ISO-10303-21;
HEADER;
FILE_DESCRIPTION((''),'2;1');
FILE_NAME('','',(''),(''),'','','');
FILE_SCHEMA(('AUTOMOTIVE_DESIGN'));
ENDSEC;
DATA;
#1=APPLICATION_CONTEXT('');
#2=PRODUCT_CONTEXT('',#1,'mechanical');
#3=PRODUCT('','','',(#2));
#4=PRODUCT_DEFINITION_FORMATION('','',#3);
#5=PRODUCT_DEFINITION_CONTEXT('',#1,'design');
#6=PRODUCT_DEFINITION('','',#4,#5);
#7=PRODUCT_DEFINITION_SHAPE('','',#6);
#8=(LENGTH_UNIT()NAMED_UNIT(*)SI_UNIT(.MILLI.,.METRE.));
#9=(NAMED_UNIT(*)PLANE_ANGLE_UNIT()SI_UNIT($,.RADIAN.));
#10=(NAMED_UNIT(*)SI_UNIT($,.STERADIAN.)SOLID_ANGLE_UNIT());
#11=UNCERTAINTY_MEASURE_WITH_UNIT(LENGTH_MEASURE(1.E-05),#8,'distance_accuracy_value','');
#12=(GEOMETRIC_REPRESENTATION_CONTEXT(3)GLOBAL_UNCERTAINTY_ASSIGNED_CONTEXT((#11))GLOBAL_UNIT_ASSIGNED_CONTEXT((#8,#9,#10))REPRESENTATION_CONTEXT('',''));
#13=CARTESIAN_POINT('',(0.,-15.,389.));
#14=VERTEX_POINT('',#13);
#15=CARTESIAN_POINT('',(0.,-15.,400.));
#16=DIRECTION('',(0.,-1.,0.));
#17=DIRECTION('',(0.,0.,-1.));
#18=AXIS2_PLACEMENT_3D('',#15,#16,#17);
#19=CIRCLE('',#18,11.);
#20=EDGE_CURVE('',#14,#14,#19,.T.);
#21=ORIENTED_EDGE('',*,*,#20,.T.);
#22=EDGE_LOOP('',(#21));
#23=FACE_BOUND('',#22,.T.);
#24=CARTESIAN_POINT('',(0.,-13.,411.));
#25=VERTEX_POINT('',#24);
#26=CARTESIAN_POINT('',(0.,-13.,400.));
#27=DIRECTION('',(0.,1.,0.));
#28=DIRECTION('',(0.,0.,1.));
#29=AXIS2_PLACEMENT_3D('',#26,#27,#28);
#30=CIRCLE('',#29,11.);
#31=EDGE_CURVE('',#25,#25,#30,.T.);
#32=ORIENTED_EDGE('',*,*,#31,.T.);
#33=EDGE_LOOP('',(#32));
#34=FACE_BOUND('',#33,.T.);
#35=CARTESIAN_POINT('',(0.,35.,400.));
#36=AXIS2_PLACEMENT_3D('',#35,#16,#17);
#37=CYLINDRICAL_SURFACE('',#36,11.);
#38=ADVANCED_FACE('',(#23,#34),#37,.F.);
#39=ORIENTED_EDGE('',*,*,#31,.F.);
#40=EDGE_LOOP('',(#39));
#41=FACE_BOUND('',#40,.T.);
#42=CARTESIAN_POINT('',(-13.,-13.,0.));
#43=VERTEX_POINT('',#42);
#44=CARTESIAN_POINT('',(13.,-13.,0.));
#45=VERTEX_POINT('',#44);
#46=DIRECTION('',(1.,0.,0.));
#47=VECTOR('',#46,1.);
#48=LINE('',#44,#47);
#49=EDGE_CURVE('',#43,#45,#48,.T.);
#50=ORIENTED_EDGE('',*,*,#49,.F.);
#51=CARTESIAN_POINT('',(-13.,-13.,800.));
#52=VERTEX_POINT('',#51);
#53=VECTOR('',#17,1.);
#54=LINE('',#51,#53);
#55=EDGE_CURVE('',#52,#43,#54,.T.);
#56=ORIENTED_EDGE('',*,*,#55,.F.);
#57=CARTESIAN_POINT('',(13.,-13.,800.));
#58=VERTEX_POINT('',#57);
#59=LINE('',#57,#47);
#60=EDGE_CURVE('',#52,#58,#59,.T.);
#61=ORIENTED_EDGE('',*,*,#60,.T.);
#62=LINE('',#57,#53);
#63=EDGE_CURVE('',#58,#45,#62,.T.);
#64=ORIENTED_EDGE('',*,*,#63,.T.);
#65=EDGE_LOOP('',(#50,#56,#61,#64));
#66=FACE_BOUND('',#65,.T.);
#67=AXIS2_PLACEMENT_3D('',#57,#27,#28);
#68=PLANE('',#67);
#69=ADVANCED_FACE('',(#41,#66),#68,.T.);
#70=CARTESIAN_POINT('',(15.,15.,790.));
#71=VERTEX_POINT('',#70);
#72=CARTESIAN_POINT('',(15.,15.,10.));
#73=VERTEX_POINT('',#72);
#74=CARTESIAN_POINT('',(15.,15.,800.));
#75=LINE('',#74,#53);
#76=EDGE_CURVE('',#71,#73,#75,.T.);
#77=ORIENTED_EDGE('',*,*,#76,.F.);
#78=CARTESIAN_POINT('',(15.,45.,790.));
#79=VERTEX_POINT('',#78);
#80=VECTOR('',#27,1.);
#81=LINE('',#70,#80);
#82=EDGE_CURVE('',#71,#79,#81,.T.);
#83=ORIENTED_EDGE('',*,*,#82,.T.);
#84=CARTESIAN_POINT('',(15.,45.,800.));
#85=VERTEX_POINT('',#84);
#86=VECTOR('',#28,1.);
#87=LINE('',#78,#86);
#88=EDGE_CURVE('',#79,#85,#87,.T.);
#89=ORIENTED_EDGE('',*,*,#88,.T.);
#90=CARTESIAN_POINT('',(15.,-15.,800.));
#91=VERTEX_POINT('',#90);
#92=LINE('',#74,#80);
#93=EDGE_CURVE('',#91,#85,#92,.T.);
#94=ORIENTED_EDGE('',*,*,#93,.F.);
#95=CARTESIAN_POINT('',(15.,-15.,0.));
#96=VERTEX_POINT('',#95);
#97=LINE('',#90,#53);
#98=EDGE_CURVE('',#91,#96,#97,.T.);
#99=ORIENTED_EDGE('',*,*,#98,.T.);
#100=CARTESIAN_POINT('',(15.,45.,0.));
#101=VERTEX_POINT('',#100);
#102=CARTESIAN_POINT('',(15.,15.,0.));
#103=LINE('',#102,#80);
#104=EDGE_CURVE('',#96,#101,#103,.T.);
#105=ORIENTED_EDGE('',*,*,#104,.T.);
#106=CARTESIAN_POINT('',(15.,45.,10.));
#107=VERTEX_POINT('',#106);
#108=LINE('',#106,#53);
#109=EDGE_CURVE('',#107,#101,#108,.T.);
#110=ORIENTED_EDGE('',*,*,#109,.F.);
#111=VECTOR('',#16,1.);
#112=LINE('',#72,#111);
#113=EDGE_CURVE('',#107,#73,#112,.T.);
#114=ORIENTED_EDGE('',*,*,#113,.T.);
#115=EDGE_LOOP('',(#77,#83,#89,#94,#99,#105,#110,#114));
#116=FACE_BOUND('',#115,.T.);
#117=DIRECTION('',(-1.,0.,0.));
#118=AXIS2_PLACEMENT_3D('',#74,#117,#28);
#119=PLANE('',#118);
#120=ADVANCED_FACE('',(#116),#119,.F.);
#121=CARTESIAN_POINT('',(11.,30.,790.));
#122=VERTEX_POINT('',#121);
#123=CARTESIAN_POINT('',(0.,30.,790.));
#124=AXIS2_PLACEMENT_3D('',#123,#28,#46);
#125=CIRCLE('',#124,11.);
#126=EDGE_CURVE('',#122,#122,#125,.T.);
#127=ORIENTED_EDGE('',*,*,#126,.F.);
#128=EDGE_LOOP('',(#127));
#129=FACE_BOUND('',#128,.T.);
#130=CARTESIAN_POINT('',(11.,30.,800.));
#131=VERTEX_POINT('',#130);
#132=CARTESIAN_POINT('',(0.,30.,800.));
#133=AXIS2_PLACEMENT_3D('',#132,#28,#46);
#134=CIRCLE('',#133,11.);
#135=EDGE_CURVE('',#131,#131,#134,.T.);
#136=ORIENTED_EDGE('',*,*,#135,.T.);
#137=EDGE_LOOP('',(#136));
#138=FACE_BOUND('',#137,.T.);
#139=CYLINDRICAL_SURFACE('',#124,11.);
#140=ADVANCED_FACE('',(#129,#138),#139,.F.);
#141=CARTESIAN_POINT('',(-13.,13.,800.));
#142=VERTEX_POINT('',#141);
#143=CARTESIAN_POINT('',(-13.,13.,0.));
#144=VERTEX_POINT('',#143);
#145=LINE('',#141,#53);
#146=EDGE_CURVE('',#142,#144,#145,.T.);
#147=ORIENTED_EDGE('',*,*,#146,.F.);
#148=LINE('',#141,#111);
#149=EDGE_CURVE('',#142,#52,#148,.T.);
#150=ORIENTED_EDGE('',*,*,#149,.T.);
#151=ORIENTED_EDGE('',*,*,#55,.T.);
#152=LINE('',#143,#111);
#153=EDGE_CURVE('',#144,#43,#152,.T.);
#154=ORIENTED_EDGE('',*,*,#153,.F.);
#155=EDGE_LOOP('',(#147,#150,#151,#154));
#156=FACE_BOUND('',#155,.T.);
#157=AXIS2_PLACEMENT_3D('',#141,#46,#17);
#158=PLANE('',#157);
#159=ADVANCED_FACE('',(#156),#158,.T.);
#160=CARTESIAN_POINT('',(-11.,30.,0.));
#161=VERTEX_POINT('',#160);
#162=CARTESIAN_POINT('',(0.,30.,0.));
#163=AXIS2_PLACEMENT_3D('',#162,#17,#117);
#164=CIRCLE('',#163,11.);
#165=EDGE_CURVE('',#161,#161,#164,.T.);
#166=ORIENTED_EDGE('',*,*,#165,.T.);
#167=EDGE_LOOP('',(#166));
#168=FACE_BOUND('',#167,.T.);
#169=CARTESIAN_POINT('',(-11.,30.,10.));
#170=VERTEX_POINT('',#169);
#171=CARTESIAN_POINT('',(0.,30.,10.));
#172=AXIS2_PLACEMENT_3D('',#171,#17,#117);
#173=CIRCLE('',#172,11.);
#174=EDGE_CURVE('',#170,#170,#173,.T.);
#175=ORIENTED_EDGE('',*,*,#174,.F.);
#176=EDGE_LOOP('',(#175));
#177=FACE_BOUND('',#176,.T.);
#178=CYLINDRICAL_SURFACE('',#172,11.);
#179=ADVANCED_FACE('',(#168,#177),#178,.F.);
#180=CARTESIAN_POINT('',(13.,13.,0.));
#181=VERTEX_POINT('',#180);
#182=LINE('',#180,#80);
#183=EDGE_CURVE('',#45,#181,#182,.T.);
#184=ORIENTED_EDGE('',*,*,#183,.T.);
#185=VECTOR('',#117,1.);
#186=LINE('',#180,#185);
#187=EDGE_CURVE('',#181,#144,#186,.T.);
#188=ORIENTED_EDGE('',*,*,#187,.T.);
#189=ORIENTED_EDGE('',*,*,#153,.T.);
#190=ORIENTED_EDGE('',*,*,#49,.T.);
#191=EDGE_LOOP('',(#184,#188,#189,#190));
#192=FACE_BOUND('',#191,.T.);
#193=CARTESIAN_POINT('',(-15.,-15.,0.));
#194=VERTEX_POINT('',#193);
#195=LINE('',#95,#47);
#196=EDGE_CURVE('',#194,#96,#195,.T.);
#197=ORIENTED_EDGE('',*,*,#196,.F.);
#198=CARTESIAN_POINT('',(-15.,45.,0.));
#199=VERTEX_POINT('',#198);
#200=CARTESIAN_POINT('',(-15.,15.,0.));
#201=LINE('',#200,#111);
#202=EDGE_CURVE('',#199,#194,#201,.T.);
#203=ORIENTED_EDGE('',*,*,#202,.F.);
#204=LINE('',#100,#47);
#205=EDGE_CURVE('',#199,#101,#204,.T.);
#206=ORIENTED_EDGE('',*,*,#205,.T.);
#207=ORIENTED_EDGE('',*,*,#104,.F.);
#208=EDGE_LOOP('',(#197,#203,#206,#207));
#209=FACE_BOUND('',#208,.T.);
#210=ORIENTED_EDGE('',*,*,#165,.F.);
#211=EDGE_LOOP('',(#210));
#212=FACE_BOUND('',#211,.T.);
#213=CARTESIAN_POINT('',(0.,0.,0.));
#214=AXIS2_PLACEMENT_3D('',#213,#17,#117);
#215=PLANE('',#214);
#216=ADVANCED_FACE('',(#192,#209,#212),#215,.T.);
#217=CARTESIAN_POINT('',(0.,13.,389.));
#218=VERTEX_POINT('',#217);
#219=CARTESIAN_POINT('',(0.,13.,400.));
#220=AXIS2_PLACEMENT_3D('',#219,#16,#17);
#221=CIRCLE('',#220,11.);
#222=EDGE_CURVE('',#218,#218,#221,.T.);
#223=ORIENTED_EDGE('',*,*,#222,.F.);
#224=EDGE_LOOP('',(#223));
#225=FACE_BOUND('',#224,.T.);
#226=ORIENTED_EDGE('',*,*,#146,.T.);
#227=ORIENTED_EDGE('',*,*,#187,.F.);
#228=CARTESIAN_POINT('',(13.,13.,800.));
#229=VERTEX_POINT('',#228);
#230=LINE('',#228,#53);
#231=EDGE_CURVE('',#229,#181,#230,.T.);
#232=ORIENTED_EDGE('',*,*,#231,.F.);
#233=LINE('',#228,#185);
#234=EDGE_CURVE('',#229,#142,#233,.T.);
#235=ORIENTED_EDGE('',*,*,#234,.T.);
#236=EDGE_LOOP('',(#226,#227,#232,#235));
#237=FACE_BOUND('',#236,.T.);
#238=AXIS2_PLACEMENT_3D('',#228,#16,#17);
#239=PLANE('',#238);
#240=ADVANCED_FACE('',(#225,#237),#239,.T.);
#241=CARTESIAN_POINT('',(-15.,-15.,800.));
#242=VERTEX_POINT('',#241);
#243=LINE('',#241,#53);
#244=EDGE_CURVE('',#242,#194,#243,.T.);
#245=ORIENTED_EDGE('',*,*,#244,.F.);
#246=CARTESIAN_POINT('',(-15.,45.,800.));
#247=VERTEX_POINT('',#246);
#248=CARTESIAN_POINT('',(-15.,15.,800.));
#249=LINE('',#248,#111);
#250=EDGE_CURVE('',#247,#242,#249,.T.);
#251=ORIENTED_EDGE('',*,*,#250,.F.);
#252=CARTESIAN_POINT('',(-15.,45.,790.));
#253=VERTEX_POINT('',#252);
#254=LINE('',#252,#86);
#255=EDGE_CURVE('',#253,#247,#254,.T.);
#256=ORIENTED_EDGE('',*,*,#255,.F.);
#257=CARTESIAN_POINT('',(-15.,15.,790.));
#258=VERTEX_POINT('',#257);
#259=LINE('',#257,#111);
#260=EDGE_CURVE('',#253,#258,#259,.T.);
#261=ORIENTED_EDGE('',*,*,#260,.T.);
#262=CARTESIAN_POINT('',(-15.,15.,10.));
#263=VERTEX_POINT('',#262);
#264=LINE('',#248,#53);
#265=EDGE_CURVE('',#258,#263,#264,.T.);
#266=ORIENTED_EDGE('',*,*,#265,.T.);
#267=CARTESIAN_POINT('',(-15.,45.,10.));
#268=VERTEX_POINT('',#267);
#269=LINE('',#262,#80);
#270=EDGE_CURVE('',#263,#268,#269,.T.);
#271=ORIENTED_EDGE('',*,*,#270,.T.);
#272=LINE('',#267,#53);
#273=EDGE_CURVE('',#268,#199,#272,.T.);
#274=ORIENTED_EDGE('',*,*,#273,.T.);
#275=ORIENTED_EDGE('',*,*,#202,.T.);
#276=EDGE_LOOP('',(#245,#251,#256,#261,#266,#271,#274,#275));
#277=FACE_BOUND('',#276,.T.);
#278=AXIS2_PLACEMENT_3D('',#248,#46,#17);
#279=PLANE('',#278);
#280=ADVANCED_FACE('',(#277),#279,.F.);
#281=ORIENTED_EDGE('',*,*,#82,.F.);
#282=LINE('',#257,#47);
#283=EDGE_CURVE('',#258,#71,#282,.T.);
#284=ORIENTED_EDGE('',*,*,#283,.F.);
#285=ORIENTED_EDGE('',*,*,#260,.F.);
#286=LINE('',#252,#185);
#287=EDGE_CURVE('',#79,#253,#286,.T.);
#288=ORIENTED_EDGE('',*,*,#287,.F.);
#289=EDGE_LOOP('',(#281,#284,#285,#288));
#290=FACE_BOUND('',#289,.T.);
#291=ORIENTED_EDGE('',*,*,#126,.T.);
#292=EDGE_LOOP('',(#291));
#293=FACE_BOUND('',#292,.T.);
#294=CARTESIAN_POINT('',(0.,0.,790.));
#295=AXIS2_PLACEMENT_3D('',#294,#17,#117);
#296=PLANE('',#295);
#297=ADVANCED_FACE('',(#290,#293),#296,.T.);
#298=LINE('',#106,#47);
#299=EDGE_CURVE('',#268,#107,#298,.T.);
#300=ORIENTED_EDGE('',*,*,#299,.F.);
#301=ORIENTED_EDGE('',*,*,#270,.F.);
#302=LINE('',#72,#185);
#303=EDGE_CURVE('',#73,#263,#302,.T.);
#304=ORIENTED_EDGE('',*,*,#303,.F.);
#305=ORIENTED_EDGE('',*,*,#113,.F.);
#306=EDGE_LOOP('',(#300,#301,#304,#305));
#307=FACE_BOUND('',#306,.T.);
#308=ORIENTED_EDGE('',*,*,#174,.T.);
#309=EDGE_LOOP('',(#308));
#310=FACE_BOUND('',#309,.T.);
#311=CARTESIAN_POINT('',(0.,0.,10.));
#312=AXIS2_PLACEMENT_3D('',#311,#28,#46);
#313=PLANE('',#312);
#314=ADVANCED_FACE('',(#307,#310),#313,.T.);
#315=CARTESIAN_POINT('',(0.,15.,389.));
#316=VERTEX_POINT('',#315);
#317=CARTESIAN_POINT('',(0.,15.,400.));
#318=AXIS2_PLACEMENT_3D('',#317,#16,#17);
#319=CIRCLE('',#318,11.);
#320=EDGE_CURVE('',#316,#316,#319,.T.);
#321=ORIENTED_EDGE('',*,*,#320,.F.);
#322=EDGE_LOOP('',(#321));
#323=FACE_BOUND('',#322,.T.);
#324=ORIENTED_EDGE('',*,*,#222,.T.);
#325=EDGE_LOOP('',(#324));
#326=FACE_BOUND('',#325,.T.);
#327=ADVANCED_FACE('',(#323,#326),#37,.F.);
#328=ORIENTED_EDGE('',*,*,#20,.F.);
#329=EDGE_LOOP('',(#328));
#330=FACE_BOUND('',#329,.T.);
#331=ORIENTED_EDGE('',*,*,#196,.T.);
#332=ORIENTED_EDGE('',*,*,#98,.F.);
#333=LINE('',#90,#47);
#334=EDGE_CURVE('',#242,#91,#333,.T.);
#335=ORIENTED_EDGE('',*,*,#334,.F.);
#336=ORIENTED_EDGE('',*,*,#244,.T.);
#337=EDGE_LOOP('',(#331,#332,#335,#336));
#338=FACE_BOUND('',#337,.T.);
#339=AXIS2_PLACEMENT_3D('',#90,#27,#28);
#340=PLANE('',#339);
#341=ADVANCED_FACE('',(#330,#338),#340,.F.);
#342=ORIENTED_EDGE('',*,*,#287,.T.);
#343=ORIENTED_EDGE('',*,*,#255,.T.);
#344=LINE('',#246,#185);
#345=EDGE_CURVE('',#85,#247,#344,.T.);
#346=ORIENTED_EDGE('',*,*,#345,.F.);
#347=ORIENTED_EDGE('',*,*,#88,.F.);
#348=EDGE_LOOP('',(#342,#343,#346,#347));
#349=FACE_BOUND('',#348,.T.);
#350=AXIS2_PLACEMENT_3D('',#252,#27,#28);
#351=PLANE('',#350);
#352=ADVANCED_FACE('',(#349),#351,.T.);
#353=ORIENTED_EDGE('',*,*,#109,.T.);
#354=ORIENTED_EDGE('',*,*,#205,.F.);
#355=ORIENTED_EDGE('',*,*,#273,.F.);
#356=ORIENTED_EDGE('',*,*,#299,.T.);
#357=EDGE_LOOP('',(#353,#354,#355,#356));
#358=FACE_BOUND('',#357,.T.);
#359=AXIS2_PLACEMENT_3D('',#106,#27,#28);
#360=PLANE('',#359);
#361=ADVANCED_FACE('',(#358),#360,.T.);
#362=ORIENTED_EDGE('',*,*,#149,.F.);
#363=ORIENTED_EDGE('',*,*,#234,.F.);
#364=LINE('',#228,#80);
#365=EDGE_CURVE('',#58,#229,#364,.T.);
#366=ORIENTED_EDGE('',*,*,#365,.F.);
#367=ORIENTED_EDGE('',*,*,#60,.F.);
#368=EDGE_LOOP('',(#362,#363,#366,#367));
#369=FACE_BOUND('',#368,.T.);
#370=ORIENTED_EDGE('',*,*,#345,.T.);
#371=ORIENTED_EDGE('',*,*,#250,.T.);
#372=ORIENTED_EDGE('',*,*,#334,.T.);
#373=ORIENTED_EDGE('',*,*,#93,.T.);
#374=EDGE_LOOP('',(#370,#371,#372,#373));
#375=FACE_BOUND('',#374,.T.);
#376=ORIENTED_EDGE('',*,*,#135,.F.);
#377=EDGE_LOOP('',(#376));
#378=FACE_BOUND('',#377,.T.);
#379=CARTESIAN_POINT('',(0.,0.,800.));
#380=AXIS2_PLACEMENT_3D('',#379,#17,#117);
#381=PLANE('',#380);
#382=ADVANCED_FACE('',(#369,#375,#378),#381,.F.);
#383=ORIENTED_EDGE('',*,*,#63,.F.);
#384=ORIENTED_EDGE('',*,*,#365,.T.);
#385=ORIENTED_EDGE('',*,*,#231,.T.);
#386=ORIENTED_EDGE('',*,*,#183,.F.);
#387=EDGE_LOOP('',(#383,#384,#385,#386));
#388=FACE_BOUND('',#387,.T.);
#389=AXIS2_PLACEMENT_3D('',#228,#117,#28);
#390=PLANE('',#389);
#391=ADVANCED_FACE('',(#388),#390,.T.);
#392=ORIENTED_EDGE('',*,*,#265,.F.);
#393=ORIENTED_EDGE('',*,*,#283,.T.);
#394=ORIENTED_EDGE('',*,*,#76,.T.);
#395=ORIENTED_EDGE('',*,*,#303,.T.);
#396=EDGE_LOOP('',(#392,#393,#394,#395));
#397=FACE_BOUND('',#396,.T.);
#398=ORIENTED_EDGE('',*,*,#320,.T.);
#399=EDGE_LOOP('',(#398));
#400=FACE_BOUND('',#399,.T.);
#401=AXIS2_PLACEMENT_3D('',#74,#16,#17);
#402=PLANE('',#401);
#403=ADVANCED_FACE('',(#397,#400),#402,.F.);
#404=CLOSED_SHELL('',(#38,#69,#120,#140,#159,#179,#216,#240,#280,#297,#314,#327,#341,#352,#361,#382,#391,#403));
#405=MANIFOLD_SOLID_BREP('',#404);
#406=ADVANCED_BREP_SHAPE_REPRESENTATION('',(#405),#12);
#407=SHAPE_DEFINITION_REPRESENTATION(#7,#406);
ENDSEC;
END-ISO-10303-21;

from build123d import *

# Parameters (mm, degrees)
SKETCH1_W           = 30
SKETCH1_H           = 30
SKETCH1_W_2         = 26
SKETCH1_H_2         = 26
BOSS_EXTRUDE1_DEPTH = 800
SKETCH2_W           = 30
SKETCH2_H           = 30
SKETCH2_R           = 11
BOSS_EXTRUDE2_DEPTH = 10
BOSS_EXTRUDE3_START = -10
SKETCH3_W           = 30
SKETCH3_H           = 30
SKETCH3_R           = 11
BOSS_EXTRUDE3_DEPTH = 10
SKETCH4_R           = 11
CUT_EXTRUDE1_DEPTH  = 50


with BuildPart() as part:
    # Sketch1 → Boss-Extrude1 (new body)
    with BuildSketch(Plane.XY):
        Rectangle(SKETCH1_W, SKETCH1_H)
        Rectangle(SKETCH1_W_2, SKETCH1_H_2, mode=Mode.SUBTRACT)
    extrude(amount=BOSS_EXTRUDE1_DEPTH)

    # Sketch2 → Boss-Extrude2 (add)
    with BuildSketch(Plane(origin=(0, 0, 0), x_dir=(-1, 0, 0), z_dir=(0, 0, -1))):
        with Locations((0, 30)):
            Rectangle(SKETCH2_W, SKETCH2_H)
        with Locations((0, 30)):
            Circle(SKETCH2_R, mode=Mode.SUBTRACT)
    extrude(amount=-BOSS_EXTRUDE2_DEPTH)

    # Sketch3 → Boss-Extrude3 (add)
    with BuildSketch(Plane.XY.offset(800).offset(BOSS_EXTRUDE3_START)):
        with Locations((0, 30)):
            Rectangle(SKETCH3_W, SKETCH3_H)
        with Locations(Location((0, 30, 0), (0, 0, 180))):
            Circle(SKETCH3_R, mode=Mode.SUBTRACT)
    extrude(amount=BOSS_EXTRUDE3_DEPTH)

    # Sketch4 → Cut-Extrude1 (cut)
    with BuildSketch(Plane.XZ.offset(15)):
        with Locations(Location((0, 400, 0), (0, 0, 270))):
            Circle(SKETCH4_R)
    extrude(amount=-CUT_EXTRUDE1_DEPTH, mode=Mode.SUBTRACT)


solid = part.part
